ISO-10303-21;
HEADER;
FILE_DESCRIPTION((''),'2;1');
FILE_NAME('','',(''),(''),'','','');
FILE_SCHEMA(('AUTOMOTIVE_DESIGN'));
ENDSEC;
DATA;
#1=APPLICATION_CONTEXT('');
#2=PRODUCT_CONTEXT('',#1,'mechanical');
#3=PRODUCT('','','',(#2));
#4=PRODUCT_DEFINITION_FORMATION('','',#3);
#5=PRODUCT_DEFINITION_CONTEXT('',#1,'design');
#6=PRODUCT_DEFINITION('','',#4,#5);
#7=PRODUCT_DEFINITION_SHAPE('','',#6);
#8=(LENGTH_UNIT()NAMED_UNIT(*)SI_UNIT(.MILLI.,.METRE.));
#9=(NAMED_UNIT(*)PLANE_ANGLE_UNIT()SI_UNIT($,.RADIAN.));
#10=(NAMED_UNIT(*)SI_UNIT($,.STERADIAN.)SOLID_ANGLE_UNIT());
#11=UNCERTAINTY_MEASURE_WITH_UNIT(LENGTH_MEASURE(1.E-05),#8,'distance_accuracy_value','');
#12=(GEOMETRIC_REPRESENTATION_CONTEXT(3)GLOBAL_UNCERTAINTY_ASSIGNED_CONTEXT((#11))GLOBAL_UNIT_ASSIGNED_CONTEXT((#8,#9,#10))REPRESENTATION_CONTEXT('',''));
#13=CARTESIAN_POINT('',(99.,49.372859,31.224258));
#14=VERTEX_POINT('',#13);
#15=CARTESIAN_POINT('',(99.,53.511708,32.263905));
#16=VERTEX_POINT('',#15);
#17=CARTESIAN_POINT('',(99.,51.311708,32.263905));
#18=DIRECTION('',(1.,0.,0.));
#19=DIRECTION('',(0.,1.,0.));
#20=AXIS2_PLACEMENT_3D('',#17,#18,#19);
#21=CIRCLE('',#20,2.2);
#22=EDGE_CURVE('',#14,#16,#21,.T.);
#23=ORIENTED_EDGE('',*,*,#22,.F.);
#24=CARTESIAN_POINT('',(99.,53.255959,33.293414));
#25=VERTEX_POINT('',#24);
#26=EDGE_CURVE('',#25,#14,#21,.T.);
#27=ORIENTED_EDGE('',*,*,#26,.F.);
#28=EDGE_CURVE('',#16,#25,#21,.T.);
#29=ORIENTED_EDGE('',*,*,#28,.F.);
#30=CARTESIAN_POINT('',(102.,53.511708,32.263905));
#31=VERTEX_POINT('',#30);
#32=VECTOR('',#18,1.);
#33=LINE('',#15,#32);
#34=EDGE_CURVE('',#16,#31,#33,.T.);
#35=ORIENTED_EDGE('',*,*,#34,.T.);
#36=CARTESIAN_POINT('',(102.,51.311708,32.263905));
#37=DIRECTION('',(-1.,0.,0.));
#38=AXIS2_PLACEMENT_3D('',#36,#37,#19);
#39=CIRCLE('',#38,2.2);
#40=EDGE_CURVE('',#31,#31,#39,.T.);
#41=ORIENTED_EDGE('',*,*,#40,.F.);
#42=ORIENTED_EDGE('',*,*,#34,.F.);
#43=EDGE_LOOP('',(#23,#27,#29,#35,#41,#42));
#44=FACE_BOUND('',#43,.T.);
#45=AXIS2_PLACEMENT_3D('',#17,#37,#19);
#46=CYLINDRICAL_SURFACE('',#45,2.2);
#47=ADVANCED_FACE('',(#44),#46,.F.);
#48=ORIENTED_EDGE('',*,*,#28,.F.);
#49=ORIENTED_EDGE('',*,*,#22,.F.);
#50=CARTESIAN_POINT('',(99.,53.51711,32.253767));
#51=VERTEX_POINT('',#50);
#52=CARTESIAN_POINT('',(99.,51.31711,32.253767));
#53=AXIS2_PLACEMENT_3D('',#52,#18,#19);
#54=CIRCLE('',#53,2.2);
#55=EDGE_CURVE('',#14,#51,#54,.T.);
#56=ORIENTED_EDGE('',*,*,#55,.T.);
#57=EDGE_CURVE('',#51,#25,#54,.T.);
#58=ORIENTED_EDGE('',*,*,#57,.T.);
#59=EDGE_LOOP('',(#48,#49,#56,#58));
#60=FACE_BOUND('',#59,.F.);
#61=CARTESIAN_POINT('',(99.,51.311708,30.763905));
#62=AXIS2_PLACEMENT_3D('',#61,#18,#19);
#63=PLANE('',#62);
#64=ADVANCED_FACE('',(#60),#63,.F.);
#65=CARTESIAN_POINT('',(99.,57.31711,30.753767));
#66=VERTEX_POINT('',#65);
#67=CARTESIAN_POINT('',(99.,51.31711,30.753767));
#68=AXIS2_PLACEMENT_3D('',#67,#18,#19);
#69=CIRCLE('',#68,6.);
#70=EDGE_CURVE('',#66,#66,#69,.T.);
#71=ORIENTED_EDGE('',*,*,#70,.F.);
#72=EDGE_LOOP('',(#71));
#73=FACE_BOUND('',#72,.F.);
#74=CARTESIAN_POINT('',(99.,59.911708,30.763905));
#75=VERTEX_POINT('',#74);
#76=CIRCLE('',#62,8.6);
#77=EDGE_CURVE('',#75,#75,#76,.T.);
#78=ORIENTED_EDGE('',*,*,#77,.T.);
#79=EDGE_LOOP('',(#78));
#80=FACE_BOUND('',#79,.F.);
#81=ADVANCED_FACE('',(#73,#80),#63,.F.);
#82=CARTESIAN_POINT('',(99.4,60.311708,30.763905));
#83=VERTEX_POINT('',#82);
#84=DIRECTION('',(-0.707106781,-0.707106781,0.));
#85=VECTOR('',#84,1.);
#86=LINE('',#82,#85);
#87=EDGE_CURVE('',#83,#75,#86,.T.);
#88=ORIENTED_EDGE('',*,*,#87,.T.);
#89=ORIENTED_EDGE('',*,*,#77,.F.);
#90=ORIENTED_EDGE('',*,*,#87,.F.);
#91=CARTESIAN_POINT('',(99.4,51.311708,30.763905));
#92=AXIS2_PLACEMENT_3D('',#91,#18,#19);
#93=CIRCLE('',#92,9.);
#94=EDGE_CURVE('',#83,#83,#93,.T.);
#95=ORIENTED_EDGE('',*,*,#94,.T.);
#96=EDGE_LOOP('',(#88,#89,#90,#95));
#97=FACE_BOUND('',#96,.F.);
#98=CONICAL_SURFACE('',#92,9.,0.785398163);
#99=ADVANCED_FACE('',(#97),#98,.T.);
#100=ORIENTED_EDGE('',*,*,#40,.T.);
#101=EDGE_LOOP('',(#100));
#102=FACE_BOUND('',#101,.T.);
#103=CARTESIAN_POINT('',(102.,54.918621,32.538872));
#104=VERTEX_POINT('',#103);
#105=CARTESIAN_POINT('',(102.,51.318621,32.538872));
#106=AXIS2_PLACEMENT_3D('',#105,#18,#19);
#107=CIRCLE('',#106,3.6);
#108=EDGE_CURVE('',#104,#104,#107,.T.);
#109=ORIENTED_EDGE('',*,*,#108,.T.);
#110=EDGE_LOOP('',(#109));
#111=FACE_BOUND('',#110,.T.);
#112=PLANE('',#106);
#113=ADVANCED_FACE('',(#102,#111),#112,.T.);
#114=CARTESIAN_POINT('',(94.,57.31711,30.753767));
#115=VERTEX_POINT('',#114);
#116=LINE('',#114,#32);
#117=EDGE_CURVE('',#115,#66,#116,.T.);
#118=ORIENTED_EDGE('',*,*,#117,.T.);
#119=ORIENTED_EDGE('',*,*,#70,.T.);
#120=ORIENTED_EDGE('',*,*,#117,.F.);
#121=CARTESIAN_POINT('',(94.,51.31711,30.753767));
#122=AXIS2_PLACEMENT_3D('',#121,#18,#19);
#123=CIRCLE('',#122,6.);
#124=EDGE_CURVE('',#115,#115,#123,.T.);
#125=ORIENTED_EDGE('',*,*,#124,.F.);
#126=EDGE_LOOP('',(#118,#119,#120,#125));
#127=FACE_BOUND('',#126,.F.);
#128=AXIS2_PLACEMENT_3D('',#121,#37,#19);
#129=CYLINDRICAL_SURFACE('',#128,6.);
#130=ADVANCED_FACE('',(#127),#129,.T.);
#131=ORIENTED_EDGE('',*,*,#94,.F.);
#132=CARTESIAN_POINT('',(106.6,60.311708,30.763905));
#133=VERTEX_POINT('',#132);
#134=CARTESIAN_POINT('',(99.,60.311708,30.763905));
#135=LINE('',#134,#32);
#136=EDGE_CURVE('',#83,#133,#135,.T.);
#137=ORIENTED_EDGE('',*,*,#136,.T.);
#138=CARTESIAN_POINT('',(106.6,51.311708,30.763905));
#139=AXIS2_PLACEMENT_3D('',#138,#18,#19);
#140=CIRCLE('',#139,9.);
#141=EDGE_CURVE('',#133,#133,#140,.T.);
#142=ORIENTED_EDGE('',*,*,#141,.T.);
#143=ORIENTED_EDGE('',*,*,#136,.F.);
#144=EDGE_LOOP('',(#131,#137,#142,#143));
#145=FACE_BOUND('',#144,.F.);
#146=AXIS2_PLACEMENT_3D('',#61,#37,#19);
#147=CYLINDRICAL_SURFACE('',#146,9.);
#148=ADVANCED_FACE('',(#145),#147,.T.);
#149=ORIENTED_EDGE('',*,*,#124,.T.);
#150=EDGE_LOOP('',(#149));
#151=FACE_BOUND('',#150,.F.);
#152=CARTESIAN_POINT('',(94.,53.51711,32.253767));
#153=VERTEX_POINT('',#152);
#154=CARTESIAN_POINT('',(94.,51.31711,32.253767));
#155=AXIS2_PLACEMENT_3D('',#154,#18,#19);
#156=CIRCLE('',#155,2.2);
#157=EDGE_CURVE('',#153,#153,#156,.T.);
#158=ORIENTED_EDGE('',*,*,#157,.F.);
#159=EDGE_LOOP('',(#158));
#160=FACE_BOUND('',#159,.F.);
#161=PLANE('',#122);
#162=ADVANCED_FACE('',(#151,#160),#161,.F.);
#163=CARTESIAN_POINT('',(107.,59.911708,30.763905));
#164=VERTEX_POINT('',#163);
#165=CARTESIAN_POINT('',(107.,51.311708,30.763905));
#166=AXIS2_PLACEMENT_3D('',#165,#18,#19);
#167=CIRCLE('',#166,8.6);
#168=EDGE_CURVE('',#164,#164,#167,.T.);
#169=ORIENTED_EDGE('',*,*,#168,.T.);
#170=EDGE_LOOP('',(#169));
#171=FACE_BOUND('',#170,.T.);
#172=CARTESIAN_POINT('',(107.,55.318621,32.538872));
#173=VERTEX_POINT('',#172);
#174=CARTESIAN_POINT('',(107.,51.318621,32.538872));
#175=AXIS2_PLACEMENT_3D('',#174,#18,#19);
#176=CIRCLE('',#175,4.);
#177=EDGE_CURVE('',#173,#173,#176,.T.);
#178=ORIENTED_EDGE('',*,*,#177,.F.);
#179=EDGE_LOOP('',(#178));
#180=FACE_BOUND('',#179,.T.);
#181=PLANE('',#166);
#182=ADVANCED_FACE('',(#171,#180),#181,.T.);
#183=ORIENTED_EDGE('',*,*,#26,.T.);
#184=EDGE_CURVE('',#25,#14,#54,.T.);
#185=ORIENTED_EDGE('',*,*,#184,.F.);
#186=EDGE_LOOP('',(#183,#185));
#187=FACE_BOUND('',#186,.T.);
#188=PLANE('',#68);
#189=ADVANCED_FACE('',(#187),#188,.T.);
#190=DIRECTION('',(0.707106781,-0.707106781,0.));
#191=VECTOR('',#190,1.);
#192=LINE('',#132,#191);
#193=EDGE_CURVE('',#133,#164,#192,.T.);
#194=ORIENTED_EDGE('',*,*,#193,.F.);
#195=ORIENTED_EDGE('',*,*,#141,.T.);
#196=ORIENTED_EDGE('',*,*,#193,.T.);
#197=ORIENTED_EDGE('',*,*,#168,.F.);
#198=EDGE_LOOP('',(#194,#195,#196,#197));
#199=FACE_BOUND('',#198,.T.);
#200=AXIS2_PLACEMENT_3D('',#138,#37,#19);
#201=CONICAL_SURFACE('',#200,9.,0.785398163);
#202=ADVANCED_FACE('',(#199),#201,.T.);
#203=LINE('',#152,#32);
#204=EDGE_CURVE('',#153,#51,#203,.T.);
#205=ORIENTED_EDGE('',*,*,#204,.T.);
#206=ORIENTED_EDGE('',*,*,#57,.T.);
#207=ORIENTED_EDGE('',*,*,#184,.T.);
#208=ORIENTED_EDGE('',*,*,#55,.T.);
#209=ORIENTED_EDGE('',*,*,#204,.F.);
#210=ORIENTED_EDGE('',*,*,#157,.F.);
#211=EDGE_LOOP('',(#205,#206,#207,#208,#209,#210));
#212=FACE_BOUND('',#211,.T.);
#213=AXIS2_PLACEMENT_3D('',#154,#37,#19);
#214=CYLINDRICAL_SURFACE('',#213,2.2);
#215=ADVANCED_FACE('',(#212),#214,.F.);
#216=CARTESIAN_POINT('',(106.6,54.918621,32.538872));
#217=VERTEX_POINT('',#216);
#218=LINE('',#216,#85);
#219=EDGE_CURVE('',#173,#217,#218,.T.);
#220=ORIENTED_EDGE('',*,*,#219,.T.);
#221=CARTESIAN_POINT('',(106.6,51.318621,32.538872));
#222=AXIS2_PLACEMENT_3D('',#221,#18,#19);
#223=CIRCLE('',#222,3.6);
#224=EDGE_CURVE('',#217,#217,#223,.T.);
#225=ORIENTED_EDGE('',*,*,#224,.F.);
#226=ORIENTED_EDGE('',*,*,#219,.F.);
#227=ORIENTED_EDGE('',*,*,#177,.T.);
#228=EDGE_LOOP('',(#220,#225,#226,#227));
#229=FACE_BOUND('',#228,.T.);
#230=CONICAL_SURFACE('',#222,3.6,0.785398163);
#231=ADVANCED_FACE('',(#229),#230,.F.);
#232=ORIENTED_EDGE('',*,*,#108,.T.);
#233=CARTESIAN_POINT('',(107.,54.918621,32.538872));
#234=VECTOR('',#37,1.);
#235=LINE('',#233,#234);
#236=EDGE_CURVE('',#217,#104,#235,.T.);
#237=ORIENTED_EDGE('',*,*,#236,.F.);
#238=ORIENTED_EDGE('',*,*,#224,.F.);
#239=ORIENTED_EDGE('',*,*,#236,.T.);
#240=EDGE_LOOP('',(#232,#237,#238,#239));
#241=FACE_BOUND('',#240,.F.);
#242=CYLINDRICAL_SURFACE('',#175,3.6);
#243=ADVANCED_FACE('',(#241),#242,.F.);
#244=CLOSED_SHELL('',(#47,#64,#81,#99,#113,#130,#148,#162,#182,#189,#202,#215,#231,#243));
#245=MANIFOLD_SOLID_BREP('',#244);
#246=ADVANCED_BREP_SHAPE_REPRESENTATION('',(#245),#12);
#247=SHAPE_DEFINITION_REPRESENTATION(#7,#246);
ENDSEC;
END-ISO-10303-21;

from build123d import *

# Parameters (mm, degrees)
SKETCH005_R             = 6
SKETCH005_R_2           = 2.2
PAD002_DEPTH            = 5
SKETCH006_R             = 9
SKETCH006_R_2           = 2.2
PAD003_DEPTH            = 8
SKETCH007_R             = 3.6
POCKET_DEPTH            = 5
CHAMFER002_SIZE         = 0.4
BODY002_PLACEMENT_ANGLE = 90


with BuildPart() as part:
    # Sketch005 → Pad002 (new body)
    with BuildSketch(Plane.XZ):
        with Locations((66.64711, 33.3637672875)):
            Circle(SKETCH005_R)
        with Locations((66.64711, 34.8637672875)):
            Circle(SKETCH005_R_2, mode=Mode.SUBTRACT)
    extrude(amount=PAD002_DEPTH)

    # Sketch006 (on Face4 of Pad002) → Pad003 (join)
    with BuildSketch(Plane.XZ.offset(5)):
        with Locations((66.641708, 33.373905)):
            Circle(SKETCH006_R)
        with Locations((66.641708, 34.873905)):
            Circle(SKETCH006_R_2, mode=Mode.SUBTRACT)
    extrude(amount=PAD003_DEPTH)

    # Sketch007 (on Face8 of Pad003) → Pocket (cut)
    with BuildSketch(Plane.XZ.offset(13)):
        with Locations((66.648621, 35.148872)):
            Circle(SKETCH007_R)
    extrude(amount=-POCKET_DEPTH, mode=Mode.SUBTRACT)

    # Chamfer002
    chamfer002_edges = [part.edges().sort_by_distance(p)[0] for p in [
        (57.641708, -13, 33.373905),
        (57.641708, -5, 33.373905),
        (63.048621, -13, 35.148872),
    ]]
    chamfer(chamfer002_edges, length=CHAMFER002_SIZE)


with BuildPart() as part_1:
    # Body001 placement: moved
    add(part.part.moved(Location((0, -3, 0))))


with BuildPart() as part_2:
    # Clone placement: moved
    add(part_1.part.moved(Location((0, 3, 0))))


with BuildPart() as part_3:
    # Body002 placement: moved
    add(part_2.part.moved(Location((94, -15.33, -2.61))).rotate(Axis((94, -15.33, -2.61), (0, 0, 1)), BODY002_PLACEMENT_ANGLE))


solid = part_3.part
